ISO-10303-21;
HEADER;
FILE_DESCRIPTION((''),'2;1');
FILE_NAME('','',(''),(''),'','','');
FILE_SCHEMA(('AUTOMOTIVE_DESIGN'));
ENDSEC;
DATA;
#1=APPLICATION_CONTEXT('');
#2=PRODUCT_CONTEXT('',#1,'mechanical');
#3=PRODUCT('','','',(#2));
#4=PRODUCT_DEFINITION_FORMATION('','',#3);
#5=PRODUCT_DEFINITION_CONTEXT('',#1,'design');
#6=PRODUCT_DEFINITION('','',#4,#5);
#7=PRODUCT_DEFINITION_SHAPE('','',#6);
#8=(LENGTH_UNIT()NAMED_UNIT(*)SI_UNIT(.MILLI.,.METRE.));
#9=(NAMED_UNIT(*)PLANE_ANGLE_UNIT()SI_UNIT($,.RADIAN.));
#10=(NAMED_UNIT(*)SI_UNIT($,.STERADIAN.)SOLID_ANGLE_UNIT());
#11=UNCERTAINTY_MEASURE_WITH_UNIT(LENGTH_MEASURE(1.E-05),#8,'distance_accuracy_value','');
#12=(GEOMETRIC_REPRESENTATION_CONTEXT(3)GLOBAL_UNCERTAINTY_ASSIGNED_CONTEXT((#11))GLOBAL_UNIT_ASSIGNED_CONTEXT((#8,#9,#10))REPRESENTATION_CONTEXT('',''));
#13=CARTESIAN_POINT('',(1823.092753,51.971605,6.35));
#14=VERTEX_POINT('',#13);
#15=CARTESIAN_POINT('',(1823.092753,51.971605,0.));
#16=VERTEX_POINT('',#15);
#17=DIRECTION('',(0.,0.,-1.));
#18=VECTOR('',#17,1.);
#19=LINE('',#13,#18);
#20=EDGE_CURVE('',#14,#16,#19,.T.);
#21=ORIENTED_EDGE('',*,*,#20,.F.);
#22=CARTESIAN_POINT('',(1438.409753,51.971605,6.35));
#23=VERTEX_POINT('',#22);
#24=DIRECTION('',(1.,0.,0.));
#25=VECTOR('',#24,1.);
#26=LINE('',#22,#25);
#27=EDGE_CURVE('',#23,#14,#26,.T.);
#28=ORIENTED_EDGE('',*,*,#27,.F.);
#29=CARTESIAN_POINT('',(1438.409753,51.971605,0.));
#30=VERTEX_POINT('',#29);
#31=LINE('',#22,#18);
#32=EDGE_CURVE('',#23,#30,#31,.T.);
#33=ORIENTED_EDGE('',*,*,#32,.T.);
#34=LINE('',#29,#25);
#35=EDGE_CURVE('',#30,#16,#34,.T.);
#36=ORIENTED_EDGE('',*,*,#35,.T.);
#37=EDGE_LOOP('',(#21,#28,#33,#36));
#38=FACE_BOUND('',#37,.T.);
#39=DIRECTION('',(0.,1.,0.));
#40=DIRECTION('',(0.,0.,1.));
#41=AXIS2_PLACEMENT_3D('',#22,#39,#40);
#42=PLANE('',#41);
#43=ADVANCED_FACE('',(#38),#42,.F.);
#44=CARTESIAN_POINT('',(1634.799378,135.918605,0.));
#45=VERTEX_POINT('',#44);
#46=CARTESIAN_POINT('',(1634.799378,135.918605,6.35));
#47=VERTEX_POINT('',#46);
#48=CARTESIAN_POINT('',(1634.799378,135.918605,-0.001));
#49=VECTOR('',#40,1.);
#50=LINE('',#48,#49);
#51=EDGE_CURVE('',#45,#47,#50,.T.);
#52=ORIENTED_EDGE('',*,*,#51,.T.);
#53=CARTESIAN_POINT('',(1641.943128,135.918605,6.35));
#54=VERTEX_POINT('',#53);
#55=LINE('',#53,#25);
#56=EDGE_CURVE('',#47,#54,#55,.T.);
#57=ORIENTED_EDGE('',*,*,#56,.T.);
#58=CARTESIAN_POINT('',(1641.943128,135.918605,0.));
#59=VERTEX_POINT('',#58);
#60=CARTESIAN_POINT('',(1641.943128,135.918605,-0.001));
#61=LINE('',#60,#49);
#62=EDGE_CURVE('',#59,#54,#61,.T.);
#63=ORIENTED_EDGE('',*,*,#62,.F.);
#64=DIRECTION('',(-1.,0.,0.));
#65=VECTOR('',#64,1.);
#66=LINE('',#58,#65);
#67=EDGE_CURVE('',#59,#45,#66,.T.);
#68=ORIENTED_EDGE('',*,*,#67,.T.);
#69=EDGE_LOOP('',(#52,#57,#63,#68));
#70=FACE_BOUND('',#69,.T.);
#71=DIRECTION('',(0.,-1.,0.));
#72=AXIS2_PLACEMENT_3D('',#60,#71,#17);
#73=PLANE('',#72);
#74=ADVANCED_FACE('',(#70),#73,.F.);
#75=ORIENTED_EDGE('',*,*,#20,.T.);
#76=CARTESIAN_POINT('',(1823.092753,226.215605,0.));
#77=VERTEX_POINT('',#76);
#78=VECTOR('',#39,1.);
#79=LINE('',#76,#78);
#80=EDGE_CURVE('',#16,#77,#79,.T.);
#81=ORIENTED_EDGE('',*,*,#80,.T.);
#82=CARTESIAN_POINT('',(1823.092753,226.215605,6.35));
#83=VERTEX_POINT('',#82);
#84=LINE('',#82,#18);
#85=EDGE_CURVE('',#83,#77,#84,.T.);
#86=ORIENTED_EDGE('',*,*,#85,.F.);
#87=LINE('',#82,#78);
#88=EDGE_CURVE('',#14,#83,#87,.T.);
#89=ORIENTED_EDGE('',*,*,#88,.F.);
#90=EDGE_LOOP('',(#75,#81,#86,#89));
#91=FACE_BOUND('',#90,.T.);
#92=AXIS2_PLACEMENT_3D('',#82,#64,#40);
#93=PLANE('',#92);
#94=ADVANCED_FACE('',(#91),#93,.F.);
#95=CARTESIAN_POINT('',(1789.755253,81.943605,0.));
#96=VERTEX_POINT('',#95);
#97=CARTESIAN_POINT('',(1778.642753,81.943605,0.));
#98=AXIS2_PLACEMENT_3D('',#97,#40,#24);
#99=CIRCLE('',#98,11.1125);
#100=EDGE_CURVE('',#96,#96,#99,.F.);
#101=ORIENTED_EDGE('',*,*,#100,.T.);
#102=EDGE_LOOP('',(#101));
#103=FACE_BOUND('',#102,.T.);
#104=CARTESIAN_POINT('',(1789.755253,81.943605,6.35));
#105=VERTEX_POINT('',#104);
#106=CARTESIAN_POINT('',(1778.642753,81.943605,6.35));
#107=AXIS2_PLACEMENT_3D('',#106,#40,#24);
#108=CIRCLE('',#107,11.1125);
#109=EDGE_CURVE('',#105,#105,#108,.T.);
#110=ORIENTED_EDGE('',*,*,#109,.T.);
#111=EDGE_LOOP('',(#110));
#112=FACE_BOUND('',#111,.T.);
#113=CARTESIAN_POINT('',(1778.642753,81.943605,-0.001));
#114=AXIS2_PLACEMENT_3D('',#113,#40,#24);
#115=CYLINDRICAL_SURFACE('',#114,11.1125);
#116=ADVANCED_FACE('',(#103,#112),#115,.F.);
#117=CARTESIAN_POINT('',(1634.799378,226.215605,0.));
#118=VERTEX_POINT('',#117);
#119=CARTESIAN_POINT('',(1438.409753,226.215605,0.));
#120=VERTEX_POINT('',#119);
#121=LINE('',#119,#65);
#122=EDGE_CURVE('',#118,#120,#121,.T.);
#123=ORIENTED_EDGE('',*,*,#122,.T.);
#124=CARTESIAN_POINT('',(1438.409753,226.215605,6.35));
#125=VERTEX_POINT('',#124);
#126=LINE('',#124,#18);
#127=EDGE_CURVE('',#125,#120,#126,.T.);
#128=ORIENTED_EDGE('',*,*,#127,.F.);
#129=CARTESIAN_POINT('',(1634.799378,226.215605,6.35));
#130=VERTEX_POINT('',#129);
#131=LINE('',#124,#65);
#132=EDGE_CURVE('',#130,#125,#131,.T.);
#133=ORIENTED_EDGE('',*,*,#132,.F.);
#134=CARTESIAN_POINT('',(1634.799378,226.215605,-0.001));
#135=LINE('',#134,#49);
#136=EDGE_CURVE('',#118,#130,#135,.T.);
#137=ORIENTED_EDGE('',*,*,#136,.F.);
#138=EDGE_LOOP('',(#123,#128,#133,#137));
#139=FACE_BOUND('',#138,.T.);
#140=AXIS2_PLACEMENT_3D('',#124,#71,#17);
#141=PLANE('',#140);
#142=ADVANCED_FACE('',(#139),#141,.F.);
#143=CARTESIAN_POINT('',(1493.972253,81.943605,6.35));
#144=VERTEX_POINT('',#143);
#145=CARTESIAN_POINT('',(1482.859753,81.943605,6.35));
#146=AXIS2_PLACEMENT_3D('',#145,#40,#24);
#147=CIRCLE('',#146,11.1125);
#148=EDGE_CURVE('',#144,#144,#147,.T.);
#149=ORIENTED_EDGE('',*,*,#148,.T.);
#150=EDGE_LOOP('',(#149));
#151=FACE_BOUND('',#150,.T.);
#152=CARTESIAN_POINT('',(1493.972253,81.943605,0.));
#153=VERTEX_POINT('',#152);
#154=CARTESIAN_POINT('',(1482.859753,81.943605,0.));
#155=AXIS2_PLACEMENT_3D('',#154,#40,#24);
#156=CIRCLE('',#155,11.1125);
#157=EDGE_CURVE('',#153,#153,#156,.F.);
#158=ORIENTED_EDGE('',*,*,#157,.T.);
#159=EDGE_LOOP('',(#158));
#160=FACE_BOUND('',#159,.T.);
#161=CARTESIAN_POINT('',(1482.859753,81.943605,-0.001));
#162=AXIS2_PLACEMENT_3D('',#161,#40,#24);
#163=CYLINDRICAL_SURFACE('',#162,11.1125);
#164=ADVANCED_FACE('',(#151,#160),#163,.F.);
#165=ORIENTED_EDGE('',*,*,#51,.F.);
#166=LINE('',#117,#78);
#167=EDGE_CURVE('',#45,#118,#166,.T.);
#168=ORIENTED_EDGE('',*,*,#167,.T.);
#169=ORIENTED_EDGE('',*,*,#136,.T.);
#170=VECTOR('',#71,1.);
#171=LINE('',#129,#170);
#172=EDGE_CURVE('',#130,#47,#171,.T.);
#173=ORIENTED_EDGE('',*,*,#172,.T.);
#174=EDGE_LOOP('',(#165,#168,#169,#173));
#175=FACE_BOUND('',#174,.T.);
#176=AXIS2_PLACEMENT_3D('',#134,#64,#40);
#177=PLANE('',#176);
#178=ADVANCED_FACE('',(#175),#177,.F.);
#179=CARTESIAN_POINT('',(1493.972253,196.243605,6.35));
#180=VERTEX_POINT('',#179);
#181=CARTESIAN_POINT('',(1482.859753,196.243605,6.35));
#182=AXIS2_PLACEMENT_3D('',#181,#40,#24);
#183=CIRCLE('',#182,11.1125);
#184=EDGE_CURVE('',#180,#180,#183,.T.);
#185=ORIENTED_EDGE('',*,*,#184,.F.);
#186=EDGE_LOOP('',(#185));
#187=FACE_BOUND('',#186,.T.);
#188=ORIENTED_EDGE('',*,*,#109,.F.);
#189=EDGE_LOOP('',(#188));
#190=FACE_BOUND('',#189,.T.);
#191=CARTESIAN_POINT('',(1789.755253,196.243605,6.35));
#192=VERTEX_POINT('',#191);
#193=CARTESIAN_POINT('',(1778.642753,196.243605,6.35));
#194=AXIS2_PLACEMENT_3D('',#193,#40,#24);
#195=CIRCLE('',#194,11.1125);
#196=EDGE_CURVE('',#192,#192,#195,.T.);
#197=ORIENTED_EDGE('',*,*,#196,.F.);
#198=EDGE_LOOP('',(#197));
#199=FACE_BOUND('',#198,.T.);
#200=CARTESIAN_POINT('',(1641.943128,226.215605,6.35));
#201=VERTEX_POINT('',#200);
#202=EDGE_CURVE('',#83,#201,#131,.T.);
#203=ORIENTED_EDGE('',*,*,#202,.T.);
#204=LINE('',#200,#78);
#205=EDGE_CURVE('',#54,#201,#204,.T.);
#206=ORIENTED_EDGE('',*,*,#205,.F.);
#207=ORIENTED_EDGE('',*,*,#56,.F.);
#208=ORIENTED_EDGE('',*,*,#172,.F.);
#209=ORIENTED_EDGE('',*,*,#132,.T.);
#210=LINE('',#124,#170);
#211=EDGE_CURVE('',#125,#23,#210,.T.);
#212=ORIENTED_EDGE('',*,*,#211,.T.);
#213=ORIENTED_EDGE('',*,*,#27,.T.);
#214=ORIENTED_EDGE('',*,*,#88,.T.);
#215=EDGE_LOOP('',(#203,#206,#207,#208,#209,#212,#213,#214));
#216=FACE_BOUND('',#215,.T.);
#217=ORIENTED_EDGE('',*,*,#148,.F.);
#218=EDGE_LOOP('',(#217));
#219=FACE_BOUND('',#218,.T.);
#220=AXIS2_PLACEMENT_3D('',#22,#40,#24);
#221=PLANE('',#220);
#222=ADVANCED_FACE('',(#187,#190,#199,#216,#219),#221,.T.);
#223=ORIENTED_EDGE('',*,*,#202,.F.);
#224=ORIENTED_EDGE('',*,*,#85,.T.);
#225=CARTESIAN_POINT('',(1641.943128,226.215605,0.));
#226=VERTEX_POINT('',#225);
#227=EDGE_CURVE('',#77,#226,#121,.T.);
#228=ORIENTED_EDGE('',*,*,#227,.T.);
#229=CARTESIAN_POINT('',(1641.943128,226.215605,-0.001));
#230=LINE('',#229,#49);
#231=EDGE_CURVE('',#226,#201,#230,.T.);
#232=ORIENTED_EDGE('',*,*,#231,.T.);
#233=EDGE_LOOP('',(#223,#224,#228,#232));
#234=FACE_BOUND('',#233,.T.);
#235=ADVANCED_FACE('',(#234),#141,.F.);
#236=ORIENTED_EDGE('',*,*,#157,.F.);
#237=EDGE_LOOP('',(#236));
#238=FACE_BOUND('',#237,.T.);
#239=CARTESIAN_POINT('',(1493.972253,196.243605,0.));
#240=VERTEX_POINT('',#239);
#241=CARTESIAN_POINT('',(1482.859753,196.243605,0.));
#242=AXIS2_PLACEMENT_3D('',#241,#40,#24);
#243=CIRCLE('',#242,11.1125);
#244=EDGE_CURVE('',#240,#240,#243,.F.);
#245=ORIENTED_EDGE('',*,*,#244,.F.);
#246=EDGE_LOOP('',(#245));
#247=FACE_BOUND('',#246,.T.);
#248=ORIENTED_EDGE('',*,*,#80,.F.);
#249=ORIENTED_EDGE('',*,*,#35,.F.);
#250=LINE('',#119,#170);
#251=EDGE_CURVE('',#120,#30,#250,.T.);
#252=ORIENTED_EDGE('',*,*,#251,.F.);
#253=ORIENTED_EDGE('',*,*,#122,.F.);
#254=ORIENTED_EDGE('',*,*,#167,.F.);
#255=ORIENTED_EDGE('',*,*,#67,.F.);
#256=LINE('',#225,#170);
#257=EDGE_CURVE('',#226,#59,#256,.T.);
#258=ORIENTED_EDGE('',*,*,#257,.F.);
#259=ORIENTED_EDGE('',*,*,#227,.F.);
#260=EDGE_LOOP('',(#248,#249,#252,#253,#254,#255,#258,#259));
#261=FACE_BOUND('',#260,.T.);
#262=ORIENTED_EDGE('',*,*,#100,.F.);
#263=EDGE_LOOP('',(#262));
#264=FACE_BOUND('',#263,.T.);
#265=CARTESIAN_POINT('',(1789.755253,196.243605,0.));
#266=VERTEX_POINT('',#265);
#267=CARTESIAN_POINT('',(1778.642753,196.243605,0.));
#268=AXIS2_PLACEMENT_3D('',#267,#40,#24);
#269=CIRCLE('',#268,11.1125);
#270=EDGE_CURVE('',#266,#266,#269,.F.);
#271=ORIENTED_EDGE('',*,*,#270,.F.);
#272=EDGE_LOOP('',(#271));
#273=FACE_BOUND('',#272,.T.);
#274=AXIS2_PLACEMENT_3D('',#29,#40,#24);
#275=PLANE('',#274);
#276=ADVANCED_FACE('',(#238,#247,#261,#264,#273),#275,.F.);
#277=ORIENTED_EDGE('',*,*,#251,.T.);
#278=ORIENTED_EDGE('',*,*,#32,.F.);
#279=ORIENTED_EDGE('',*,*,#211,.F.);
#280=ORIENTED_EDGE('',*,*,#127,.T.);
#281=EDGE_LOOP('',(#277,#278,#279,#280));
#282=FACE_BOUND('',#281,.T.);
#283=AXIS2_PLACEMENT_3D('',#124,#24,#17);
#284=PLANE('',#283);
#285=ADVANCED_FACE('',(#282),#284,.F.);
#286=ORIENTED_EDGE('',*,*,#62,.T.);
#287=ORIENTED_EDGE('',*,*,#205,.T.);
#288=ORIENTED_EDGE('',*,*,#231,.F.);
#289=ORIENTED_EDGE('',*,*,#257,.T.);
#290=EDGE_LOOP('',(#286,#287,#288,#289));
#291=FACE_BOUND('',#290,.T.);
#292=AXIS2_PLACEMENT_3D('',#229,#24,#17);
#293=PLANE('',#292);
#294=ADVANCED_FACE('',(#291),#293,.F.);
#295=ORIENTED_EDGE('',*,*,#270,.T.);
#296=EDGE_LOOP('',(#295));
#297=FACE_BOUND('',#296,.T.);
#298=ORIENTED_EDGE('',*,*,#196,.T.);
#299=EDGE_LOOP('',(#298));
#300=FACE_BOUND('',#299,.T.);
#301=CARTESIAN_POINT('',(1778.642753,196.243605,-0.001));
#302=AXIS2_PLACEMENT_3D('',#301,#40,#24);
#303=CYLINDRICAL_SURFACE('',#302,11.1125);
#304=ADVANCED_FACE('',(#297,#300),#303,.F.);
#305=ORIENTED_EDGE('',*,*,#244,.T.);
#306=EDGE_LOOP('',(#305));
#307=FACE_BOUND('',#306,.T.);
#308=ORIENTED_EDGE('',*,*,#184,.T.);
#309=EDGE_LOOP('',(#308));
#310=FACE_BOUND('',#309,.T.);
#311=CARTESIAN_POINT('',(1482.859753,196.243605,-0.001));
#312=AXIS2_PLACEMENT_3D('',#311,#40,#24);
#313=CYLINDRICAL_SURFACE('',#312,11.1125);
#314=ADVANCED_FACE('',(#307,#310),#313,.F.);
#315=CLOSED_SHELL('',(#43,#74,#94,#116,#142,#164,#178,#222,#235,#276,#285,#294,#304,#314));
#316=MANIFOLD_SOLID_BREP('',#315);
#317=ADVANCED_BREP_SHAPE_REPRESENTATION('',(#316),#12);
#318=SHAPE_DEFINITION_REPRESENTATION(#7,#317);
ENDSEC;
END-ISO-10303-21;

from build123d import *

# Parameters (mm, degrees)
SKETCH1_W           = 384.683
SKETCH1_H           = 174.244
BOSS_EXTRUDE1_DEPTH = 6.35
CUT_EXTRUDE1_REACH  = 1839.085
SKETCH2_R           = 11.1125
CUT_EXTRUDE2_REACH  = 1839.085
SKETCH3_W           = 7.14375
SKETCH3_H           = 90.297


with BuildPart() as part:
    # Sketch1 → Boss-Extrude1 (new body)
    with BuildSketch(Plane.XY):
        with Locations((1630.751253019, 139.093604852)):
            Rectangle(SKETCH1_W, SKETCH1_H)
    extrude(amount=BOSS_EXTRUDE1_DEPTH)

    # Sketch2 → Cut-Extrude1 (cut, up to next)
    with BuildSketch(Plane.XY.offset(6.35), mode=Mode.PRIVATE) as cut_extrude1_sk1:
        with Locations((1778.642753019, 196.243604852)):
            Circle(SKETCH2_R)
    cut_extrude1_tool1 = extrude(cut_extrude1_sk1.sketch, amount=-CUT_EXTRUDE1_REACH, mode=Mode.PRIVATE) & part.part
    # Sketch2 → Cut-Extrude1 (cut, up to next)
    with BuildSketch(Plane.XY.offset(6.35), mode=Mode.PRIVATE) as cut_extrude1_sk2:
        with Locations((1778.642753019, 81.943604852)):
            Circle(SKETCH2_R)
    cut_extrude1_tool2 = extrude(cut_extrude1_sk2.sketch, amount=-CUT_EXTRUDE1_REACH, mode=Mode.PRIVATE) & part.part
    # Sketch2 → Cut-Extrude1 (cut, up to next)
    with BuildSketch(Plane.XY.offset(6.35), mode=Mode.PRIVATE) as cut_extrude1_sk3:
        with Locations((1482.859753019, 196.243604852)):
            Circle(SKETCH2_R)
    cut_extrude1_tool3 = extrude(cut_extrude1_sk3.sketch, amount=-CUT_EXTRUDE1_REACH, mode=Mode.PRIVATE) & part.part
    # Sketch2 → Cut-Extrude1 (cut, up to next)
    with BuildSketch(Plane.XY.offset(6.35), mode=Mode.PRIVATE) as cut_extrude1_sk4:
        with Locations((1482.859753019, 81.943604852)):
            Circle(SKETCH2_R)
    cut_extrude1_tool4 = extrude(cut_extrude1_sk4.sketch, amount=-CUT_EXTRUDE1_REACH, mode=Mode.PRIVATE) & part.part
    add(cut_extrude1_tool1.solids().sort_by_distance((1778.642753, 196.243605, 6.35))[0], mode=Mode.SUBTRACT)
    add(cut_extrude1_tool2.solids().sort_by_distance((1778.642753, 81.943605, 6.35))[0], mode=Mode.SUBTRACT)
    add(cut_extrude1_tool3.solids().sort_by_distance((1482.859753, 196.243605, 6.35))[0], mode=Mode.SUBTRACT)
    add(cut_extrude1_tool4.solids().sort_by_distance((1482.859753, 81.943605, 6.35))[0], mode=Mode.SUBTRACT)

    # Sketch3 → Cut-Extrude2 (cut, up to next)
    with BuildSketch(Plane.XY.offset(6.35), mode=Mode.PRIVATE) as cut_extrude2_sk1:
        with Locations((1638.371253019, 181.067104852)):
            Rectangle(SKETCH3_W, SKETCH3_H)
    cut_extrude2_tool1 = extrude(cut_extrude2_sk1.sketch, amount=-CUT_EXTRUDE2_REACH, mode=Mode.PRIVATE) & part.part
    add(cut_extrude2_tool1.solids().sort_by_distance((1638.371253, 181.067105, 6.35))[0], mode=Mode.SUBTRACT)


solid = part.part
